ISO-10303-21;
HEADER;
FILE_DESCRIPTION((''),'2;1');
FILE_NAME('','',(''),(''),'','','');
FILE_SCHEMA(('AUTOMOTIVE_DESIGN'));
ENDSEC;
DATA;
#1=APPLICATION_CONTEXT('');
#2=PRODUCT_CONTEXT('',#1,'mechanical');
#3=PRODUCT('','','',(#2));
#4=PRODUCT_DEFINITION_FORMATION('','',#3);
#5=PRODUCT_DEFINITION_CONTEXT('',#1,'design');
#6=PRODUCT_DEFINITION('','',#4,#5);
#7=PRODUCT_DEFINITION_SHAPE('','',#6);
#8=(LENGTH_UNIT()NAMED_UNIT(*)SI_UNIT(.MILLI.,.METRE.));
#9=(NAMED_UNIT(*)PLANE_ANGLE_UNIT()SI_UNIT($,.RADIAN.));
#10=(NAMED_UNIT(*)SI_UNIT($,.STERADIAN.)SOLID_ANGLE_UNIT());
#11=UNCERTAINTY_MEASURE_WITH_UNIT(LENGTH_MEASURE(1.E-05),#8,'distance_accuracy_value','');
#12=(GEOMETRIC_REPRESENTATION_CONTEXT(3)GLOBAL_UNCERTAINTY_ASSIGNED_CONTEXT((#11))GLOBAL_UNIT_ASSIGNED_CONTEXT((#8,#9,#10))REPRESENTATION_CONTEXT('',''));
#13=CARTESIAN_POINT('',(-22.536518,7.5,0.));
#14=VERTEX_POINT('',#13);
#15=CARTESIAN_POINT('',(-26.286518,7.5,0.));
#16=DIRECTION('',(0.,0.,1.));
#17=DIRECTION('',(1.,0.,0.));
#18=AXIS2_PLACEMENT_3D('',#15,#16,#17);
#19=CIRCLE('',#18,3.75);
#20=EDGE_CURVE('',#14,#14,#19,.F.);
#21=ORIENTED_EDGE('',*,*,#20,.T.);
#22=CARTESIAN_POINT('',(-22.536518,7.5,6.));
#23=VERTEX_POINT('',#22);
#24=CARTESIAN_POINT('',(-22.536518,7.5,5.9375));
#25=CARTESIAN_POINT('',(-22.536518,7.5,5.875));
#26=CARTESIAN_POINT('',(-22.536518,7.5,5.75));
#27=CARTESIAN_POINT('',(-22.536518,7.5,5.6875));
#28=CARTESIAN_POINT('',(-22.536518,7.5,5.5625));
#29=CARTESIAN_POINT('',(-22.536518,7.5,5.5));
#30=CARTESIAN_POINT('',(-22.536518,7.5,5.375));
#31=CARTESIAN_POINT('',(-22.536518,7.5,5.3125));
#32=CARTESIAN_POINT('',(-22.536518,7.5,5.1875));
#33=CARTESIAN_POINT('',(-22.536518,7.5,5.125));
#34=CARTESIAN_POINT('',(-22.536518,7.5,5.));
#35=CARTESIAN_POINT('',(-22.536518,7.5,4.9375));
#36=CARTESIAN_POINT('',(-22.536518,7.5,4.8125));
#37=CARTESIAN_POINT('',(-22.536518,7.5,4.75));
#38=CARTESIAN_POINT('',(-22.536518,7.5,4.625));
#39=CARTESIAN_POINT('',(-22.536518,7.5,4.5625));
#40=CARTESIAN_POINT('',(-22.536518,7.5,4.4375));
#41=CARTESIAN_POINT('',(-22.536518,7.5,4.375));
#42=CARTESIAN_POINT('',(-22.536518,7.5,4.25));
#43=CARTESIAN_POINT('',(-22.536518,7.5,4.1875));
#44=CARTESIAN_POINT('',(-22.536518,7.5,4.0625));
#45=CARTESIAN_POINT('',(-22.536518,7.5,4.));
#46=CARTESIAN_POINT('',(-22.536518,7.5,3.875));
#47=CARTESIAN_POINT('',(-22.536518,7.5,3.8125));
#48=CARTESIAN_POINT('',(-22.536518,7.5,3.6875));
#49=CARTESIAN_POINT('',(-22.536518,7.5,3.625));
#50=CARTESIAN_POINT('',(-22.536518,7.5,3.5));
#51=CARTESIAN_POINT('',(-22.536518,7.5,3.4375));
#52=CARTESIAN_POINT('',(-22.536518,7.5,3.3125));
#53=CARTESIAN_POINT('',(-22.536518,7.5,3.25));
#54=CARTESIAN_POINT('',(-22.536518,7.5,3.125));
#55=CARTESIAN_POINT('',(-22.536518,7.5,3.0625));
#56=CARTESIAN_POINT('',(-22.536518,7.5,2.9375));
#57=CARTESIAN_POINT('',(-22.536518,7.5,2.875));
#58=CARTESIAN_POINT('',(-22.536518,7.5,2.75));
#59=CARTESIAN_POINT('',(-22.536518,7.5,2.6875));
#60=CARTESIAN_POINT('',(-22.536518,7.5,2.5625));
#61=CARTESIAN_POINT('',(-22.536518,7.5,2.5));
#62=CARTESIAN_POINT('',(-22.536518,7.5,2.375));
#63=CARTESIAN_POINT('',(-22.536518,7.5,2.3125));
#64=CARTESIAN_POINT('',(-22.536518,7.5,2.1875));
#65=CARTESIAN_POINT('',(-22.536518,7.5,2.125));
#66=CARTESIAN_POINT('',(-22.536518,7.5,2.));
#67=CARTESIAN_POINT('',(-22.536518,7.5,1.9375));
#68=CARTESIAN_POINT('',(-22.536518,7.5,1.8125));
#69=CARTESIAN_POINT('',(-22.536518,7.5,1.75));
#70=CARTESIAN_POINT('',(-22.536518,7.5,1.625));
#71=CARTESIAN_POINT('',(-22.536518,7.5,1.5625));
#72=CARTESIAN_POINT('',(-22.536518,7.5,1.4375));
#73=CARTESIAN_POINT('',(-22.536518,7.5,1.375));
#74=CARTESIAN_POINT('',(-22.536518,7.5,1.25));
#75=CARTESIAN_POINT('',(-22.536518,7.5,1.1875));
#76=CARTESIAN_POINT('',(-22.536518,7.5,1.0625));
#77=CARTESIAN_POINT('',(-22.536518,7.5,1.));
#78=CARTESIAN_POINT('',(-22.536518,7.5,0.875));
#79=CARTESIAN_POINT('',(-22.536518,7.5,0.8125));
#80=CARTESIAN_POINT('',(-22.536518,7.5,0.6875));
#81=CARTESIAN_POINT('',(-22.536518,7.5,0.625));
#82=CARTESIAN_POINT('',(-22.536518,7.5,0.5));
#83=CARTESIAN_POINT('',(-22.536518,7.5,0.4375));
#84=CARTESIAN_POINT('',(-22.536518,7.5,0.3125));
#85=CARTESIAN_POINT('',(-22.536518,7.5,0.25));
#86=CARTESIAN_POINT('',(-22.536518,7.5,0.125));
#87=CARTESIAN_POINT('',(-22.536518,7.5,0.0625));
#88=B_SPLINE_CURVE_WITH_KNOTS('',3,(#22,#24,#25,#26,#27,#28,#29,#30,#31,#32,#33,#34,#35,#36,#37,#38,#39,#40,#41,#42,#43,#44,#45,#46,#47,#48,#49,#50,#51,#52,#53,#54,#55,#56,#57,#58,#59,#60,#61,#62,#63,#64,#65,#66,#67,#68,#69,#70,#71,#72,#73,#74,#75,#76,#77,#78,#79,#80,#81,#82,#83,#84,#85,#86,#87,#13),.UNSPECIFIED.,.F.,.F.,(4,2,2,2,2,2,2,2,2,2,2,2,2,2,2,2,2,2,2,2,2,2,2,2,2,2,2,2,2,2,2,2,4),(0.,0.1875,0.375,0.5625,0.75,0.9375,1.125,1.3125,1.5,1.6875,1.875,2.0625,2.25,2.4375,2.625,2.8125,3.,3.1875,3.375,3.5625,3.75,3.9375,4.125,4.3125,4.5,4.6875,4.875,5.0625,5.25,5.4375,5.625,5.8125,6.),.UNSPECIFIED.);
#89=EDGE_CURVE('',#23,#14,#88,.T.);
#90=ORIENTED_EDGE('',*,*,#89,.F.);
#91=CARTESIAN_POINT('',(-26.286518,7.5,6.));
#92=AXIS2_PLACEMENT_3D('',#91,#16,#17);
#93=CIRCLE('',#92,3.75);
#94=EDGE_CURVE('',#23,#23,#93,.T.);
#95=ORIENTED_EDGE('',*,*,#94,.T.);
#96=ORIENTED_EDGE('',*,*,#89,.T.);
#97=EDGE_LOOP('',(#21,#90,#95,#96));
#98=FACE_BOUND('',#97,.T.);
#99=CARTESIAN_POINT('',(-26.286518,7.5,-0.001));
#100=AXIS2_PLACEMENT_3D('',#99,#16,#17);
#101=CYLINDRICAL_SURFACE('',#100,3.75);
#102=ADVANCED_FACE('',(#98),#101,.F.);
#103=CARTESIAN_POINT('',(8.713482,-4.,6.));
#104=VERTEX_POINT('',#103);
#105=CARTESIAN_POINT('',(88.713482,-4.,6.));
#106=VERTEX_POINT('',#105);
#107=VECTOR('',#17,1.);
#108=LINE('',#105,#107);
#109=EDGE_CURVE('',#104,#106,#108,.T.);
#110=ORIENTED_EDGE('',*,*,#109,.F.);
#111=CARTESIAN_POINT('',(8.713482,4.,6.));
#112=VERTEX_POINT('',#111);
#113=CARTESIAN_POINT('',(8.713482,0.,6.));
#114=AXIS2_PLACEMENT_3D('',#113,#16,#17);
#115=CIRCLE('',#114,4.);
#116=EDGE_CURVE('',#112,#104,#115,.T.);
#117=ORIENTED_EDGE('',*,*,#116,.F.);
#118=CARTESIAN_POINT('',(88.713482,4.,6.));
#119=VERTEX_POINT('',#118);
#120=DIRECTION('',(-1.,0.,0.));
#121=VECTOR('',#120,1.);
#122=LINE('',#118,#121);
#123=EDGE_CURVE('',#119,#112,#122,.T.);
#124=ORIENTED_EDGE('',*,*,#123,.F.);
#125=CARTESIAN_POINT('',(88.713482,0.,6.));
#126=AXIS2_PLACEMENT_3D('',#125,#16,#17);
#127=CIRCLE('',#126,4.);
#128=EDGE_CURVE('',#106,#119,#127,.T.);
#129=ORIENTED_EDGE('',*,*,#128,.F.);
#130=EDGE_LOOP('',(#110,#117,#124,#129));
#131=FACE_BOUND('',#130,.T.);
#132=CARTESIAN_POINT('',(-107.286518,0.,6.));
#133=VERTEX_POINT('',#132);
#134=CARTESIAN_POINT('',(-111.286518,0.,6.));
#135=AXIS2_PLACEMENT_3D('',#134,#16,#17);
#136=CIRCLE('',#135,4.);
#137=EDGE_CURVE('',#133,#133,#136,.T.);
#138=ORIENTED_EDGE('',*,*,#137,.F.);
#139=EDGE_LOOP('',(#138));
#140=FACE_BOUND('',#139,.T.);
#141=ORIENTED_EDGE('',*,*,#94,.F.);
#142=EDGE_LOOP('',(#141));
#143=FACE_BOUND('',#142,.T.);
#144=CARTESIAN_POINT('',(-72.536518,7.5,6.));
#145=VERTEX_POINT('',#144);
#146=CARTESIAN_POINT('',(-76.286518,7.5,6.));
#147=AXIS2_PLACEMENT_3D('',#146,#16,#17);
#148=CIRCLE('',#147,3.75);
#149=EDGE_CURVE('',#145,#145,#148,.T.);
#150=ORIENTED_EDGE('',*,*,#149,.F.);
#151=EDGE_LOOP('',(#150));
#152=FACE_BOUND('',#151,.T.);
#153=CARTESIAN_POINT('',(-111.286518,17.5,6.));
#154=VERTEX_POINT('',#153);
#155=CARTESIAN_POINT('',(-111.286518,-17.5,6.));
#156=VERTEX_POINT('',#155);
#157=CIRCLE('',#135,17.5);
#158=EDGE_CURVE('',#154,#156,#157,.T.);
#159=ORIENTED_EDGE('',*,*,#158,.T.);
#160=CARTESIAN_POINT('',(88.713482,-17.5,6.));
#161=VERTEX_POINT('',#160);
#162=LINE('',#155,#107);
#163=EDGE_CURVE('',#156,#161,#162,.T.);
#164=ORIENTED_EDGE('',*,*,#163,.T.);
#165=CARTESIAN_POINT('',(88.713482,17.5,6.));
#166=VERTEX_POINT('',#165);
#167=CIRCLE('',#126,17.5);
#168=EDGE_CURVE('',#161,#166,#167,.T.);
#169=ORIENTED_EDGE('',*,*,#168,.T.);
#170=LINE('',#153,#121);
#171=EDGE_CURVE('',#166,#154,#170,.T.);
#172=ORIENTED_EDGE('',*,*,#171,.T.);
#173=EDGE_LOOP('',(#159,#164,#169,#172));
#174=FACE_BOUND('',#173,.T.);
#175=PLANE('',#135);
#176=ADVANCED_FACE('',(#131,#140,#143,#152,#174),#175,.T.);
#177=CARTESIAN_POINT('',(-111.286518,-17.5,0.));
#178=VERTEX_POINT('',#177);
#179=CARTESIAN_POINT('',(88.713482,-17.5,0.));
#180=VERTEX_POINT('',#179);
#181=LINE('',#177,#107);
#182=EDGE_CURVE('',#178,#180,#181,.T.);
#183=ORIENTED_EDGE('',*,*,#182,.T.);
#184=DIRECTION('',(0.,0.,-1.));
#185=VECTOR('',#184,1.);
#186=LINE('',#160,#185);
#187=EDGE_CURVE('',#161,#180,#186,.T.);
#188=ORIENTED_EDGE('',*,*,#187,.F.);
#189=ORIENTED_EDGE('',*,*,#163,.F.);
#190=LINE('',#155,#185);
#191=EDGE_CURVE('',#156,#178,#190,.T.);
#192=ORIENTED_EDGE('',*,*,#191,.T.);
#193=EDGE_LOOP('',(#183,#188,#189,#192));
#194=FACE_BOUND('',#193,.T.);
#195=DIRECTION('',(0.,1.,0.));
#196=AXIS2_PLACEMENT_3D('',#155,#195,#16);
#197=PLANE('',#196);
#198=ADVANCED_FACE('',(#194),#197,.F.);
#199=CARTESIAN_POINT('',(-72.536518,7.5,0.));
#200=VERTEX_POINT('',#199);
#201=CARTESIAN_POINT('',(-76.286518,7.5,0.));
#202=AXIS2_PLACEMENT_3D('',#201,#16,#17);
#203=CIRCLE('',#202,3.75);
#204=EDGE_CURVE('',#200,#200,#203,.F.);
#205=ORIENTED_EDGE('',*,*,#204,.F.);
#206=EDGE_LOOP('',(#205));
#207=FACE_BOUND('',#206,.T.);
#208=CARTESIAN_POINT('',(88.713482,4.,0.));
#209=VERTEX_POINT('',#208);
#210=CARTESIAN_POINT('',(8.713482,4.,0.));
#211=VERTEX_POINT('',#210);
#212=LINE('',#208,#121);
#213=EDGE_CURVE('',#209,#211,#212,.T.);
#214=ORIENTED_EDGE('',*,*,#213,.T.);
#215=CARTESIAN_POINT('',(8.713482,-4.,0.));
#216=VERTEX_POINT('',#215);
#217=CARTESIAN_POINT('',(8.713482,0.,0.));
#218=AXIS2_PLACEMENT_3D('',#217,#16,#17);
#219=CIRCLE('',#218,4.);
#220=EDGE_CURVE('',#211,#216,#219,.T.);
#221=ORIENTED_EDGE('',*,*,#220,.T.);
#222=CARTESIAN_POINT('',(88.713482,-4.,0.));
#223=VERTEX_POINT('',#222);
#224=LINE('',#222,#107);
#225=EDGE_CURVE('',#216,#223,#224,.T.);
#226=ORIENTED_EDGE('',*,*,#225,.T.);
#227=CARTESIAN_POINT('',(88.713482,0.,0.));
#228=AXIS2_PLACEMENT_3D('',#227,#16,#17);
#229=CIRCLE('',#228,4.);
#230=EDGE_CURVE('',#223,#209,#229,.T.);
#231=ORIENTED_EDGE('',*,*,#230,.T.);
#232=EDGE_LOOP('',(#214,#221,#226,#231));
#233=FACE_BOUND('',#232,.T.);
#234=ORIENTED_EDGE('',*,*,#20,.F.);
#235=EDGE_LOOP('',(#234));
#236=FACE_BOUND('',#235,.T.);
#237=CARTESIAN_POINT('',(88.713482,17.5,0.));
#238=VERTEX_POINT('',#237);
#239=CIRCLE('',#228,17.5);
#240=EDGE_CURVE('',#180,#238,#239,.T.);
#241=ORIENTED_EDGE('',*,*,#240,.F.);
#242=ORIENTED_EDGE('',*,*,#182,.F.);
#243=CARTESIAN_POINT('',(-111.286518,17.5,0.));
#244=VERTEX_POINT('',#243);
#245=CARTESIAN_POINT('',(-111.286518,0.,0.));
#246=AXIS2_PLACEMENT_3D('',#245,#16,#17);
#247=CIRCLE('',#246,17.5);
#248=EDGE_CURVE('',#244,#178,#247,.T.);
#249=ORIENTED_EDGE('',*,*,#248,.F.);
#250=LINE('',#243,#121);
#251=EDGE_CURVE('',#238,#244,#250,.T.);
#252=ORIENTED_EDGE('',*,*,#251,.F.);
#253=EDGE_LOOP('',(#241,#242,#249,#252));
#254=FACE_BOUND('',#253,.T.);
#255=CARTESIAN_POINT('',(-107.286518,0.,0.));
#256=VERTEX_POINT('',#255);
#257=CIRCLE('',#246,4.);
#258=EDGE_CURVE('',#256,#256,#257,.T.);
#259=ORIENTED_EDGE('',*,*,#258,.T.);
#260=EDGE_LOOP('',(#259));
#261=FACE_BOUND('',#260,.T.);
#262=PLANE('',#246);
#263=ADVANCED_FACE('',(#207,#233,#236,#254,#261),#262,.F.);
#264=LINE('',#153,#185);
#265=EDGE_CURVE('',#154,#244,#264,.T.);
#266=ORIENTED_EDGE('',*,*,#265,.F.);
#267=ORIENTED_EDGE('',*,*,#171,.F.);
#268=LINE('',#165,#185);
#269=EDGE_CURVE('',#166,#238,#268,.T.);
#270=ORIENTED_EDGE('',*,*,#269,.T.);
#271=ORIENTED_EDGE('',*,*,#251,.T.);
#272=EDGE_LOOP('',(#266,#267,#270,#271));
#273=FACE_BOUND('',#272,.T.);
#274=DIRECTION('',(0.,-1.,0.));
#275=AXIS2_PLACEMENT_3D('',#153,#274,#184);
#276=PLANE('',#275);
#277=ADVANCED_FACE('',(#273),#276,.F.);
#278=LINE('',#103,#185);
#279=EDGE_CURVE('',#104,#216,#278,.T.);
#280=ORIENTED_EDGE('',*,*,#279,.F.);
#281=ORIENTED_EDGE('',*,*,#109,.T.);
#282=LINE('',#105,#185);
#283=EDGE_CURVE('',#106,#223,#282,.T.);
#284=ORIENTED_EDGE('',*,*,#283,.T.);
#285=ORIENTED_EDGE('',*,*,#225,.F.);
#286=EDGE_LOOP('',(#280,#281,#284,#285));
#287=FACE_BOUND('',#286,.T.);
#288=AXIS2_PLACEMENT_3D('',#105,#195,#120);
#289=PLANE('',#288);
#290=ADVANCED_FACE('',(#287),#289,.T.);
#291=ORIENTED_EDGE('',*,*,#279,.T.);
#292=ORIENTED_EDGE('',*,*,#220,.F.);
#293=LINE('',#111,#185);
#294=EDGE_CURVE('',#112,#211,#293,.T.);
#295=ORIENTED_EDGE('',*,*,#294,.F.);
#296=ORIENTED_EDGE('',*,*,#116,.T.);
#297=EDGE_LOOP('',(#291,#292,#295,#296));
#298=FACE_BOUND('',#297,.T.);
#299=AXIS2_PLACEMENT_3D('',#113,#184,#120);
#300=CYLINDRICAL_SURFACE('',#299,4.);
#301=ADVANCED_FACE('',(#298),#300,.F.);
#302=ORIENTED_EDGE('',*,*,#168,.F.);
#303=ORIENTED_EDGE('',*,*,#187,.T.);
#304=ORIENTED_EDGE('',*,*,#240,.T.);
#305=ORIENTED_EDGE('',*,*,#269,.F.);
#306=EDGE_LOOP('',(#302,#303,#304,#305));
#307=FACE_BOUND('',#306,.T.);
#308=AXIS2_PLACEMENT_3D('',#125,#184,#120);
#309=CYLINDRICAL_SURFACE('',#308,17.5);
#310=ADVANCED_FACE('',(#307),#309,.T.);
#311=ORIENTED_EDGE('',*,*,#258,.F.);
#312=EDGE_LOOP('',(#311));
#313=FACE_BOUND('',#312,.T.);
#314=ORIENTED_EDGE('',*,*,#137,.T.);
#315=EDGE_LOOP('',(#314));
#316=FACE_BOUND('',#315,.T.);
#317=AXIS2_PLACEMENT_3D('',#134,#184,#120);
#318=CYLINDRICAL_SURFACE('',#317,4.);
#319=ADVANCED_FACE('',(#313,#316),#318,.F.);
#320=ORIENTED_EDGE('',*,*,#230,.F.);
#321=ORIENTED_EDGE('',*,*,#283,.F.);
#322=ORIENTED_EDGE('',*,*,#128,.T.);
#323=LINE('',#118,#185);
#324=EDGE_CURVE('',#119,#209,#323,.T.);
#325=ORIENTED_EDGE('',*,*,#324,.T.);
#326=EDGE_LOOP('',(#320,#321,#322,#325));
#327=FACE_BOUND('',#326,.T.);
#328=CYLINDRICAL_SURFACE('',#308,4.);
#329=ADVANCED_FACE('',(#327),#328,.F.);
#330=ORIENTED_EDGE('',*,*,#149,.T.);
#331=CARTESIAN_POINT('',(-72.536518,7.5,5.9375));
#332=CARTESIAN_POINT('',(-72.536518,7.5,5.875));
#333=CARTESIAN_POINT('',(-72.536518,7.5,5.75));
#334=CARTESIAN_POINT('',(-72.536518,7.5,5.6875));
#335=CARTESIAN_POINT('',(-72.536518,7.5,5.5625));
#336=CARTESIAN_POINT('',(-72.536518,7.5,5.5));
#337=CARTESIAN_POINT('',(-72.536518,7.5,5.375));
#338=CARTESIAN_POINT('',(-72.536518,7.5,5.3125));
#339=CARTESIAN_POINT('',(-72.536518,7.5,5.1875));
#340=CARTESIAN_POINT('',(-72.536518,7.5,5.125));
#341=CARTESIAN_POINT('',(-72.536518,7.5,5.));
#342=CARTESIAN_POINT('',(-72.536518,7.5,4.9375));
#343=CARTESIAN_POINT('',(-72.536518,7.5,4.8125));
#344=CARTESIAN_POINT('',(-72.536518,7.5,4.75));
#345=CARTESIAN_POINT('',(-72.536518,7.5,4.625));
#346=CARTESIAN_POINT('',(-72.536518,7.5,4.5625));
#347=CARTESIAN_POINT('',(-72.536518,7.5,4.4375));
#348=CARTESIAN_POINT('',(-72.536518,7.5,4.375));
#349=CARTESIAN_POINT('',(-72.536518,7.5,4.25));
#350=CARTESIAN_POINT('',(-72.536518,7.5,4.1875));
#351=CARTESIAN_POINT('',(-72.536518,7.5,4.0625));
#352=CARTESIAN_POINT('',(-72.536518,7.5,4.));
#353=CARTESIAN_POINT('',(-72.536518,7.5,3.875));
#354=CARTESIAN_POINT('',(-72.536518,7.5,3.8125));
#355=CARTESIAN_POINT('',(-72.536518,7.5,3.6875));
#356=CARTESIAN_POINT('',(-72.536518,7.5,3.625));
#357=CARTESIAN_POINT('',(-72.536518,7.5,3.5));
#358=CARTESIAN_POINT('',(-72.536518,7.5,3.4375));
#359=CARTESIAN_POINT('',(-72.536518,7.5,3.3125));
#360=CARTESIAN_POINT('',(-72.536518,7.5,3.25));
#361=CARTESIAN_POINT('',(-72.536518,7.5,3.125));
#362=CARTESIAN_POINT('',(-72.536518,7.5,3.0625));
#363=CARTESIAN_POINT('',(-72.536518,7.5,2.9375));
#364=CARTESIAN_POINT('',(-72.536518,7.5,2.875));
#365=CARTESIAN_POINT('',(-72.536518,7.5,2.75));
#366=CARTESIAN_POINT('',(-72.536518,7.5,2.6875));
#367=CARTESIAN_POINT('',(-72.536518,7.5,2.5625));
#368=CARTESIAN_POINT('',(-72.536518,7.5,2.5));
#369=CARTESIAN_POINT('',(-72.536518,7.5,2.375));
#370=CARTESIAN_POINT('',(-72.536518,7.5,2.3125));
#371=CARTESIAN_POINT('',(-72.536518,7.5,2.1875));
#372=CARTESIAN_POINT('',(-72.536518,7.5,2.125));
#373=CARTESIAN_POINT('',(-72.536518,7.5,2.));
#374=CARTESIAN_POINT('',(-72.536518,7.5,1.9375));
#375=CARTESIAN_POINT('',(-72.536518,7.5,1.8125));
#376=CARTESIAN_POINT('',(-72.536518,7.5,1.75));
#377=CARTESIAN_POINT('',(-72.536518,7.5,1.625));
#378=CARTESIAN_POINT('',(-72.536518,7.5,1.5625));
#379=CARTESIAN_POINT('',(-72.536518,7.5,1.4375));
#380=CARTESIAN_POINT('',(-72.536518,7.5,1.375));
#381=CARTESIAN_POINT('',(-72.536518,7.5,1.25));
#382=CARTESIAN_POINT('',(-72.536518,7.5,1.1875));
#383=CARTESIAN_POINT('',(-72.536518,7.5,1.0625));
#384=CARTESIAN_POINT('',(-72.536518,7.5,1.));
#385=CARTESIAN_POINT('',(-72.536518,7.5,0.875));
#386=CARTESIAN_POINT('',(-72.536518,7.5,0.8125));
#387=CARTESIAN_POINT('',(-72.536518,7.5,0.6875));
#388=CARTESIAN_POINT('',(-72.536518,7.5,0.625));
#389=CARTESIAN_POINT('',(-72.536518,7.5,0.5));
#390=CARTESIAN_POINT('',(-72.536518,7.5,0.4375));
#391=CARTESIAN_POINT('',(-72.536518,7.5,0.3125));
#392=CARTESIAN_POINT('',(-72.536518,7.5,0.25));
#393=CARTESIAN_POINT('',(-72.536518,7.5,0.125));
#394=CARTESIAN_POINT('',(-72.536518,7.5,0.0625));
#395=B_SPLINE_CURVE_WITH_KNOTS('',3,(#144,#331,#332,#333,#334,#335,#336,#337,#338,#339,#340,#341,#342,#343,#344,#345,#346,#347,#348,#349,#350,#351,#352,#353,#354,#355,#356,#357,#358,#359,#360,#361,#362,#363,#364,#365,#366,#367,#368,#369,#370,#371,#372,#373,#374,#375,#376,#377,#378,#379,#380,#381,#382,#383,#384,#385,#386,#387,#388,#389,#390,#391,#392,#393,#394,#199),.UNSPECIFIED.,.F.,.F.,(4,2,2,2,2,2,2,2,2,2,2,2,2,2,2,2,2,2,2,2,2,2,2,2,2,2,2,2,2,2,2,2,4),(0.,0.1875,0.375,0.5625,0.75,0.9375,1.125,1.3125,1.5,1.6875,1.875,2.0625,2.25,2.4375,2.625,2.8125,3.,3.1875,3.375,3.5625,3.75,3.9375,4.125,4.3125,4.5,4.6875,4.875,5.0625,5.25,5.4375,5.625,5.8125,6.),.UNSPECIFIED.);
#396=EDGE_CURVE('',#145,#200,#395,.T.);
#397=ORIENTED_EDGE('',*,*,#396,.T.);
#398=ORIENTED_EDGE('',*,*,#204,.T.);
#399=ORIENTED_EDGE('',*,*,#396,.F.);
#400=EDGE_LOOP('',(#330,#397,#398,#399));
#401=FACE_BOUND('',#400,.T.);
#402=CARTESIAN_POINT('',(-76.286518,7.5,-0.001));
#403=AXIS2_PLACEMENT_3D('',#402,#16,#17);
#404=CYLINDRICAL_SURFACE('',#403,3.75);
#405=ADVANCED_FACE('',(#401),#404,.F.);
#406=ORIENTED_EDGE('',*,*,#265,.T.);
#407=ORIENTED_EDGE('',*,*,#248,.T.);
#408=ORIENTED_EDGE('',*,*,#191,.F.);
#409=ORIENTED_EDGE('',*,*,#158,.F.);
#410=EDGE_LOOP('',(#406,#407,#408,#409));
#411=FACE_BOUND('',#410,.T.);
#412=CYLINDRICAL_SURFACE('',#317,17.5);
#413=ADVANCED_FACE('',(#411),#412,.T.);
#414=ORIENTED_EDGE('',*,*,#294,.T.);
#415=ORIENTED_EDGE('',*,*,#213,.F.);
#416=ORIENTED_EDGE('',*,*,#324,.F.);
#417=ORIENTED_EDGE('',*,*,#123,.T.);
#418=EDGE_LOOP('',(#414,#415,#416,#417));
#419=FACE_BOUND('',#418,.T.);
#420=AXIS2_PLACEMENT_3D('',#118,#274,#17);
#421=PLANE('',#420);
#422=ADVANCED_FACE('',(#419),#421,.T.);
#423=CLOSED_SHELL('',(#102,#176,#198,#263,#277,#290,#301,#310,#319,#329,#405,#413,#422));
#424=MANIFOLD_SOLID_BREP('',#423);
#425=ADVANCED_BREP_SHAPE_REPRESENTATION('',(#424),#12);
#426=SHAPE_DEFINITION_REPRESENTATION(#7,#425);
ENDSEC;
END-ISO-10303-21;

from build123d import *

# Parameters (mm, degrees)
ESQUISSE1_R             = 4
BOSS_EXTRU_1_DEPTH      = 6
ENL_V_MAT_EXTRU_1_REACH = 132.108
ESQUISSE2_R             = 3.75


with BuildPart() as part:
    # Esquisse1 → Boss.-Extru.1 (new body)
    with BuildSketch(Plane.XY):
        with BuildLine():
            Line((-111.286517575, 17.5), (88.713482425, 17.5))
            ThreePointArc((88.713482425, 17.5), (106.213482425, 0), (88.713482425, -17.5))
            Line((88.713482425, -17.5), (-111.286517575, -17.5))
            ThreePointArc((-111.286517575, -17.5), (-128.786517575, 0), (-111.286517575, 17.5))
        make_face()
        with Locations((-111.286517575, 0)):
            Circle(ESQUISSE1_R, mode=Mode.SUBTRACT)
        with BuildLine():
            Line((88.713482425, -4), (8.713482425, -4))
            ThreePointArc((8.713482425, -4), (4.713482425, 0), (8.713482425, 4))
            Line((8.713482425, 4), (88.713482425, 4))
            ThreePointArc((88.713482425, 4), (92.713482425, 0), (88.713482425, -4))
        make_face(mode=Mode.SUBTRACT)
    extrude(amount=BOSS_EXTRU_1_DEPTH)

    # Esquisse2 → Enlèv. mat.-Extru.1 (cut, up to next)
    with BuildSketch(Plane.XY.offset(6), mode=Mode.PRIVATE) as enl_v_mat_extru_1_sk1:
        with Locations((-76.286517575, 7.5)):
            Circle(ESQUISSE2_R)
    enl_v_mat_extru_1_tool1 = extrude(enl_v_mat_extru_1_sk1.sketch, amount=-ENL_V_MAT_EXTRU_1_REACH, mode=Mode.PRIVATE) & part.part
    # Esquisse2 → Enlèv. mat.-Extru.1 (cut, up to next)
    with BuildSketch(Plane.XY.offset(6), mode=Mode.PRIVATE) as enl_v_mat_extru_1_sk2:
        with Locations((-26.286517575, 7.5)):
            Circle(ESQUISSE2_R)
    enl_v_mat_extru_1_tool2 = extrude(enl_v_mat_extru_1_sk2.sketch, amount=-ENL_V_MAT_EXTRU_1_REACH, mode=Mode.PRIVATE) & part.part
    add(enl_v_mat_extru_1_tool1.solids().sort_by_distance((-76.286518, 7.5, 6))[0], mode=Mode.SUBTRACT)
    add(enl_v_mat_extru_1_tool2.solids().sort_by_distance((-26.286518, 7.5, 6))[0], mode=Mode.SUBTRACT)


solid = part.part
